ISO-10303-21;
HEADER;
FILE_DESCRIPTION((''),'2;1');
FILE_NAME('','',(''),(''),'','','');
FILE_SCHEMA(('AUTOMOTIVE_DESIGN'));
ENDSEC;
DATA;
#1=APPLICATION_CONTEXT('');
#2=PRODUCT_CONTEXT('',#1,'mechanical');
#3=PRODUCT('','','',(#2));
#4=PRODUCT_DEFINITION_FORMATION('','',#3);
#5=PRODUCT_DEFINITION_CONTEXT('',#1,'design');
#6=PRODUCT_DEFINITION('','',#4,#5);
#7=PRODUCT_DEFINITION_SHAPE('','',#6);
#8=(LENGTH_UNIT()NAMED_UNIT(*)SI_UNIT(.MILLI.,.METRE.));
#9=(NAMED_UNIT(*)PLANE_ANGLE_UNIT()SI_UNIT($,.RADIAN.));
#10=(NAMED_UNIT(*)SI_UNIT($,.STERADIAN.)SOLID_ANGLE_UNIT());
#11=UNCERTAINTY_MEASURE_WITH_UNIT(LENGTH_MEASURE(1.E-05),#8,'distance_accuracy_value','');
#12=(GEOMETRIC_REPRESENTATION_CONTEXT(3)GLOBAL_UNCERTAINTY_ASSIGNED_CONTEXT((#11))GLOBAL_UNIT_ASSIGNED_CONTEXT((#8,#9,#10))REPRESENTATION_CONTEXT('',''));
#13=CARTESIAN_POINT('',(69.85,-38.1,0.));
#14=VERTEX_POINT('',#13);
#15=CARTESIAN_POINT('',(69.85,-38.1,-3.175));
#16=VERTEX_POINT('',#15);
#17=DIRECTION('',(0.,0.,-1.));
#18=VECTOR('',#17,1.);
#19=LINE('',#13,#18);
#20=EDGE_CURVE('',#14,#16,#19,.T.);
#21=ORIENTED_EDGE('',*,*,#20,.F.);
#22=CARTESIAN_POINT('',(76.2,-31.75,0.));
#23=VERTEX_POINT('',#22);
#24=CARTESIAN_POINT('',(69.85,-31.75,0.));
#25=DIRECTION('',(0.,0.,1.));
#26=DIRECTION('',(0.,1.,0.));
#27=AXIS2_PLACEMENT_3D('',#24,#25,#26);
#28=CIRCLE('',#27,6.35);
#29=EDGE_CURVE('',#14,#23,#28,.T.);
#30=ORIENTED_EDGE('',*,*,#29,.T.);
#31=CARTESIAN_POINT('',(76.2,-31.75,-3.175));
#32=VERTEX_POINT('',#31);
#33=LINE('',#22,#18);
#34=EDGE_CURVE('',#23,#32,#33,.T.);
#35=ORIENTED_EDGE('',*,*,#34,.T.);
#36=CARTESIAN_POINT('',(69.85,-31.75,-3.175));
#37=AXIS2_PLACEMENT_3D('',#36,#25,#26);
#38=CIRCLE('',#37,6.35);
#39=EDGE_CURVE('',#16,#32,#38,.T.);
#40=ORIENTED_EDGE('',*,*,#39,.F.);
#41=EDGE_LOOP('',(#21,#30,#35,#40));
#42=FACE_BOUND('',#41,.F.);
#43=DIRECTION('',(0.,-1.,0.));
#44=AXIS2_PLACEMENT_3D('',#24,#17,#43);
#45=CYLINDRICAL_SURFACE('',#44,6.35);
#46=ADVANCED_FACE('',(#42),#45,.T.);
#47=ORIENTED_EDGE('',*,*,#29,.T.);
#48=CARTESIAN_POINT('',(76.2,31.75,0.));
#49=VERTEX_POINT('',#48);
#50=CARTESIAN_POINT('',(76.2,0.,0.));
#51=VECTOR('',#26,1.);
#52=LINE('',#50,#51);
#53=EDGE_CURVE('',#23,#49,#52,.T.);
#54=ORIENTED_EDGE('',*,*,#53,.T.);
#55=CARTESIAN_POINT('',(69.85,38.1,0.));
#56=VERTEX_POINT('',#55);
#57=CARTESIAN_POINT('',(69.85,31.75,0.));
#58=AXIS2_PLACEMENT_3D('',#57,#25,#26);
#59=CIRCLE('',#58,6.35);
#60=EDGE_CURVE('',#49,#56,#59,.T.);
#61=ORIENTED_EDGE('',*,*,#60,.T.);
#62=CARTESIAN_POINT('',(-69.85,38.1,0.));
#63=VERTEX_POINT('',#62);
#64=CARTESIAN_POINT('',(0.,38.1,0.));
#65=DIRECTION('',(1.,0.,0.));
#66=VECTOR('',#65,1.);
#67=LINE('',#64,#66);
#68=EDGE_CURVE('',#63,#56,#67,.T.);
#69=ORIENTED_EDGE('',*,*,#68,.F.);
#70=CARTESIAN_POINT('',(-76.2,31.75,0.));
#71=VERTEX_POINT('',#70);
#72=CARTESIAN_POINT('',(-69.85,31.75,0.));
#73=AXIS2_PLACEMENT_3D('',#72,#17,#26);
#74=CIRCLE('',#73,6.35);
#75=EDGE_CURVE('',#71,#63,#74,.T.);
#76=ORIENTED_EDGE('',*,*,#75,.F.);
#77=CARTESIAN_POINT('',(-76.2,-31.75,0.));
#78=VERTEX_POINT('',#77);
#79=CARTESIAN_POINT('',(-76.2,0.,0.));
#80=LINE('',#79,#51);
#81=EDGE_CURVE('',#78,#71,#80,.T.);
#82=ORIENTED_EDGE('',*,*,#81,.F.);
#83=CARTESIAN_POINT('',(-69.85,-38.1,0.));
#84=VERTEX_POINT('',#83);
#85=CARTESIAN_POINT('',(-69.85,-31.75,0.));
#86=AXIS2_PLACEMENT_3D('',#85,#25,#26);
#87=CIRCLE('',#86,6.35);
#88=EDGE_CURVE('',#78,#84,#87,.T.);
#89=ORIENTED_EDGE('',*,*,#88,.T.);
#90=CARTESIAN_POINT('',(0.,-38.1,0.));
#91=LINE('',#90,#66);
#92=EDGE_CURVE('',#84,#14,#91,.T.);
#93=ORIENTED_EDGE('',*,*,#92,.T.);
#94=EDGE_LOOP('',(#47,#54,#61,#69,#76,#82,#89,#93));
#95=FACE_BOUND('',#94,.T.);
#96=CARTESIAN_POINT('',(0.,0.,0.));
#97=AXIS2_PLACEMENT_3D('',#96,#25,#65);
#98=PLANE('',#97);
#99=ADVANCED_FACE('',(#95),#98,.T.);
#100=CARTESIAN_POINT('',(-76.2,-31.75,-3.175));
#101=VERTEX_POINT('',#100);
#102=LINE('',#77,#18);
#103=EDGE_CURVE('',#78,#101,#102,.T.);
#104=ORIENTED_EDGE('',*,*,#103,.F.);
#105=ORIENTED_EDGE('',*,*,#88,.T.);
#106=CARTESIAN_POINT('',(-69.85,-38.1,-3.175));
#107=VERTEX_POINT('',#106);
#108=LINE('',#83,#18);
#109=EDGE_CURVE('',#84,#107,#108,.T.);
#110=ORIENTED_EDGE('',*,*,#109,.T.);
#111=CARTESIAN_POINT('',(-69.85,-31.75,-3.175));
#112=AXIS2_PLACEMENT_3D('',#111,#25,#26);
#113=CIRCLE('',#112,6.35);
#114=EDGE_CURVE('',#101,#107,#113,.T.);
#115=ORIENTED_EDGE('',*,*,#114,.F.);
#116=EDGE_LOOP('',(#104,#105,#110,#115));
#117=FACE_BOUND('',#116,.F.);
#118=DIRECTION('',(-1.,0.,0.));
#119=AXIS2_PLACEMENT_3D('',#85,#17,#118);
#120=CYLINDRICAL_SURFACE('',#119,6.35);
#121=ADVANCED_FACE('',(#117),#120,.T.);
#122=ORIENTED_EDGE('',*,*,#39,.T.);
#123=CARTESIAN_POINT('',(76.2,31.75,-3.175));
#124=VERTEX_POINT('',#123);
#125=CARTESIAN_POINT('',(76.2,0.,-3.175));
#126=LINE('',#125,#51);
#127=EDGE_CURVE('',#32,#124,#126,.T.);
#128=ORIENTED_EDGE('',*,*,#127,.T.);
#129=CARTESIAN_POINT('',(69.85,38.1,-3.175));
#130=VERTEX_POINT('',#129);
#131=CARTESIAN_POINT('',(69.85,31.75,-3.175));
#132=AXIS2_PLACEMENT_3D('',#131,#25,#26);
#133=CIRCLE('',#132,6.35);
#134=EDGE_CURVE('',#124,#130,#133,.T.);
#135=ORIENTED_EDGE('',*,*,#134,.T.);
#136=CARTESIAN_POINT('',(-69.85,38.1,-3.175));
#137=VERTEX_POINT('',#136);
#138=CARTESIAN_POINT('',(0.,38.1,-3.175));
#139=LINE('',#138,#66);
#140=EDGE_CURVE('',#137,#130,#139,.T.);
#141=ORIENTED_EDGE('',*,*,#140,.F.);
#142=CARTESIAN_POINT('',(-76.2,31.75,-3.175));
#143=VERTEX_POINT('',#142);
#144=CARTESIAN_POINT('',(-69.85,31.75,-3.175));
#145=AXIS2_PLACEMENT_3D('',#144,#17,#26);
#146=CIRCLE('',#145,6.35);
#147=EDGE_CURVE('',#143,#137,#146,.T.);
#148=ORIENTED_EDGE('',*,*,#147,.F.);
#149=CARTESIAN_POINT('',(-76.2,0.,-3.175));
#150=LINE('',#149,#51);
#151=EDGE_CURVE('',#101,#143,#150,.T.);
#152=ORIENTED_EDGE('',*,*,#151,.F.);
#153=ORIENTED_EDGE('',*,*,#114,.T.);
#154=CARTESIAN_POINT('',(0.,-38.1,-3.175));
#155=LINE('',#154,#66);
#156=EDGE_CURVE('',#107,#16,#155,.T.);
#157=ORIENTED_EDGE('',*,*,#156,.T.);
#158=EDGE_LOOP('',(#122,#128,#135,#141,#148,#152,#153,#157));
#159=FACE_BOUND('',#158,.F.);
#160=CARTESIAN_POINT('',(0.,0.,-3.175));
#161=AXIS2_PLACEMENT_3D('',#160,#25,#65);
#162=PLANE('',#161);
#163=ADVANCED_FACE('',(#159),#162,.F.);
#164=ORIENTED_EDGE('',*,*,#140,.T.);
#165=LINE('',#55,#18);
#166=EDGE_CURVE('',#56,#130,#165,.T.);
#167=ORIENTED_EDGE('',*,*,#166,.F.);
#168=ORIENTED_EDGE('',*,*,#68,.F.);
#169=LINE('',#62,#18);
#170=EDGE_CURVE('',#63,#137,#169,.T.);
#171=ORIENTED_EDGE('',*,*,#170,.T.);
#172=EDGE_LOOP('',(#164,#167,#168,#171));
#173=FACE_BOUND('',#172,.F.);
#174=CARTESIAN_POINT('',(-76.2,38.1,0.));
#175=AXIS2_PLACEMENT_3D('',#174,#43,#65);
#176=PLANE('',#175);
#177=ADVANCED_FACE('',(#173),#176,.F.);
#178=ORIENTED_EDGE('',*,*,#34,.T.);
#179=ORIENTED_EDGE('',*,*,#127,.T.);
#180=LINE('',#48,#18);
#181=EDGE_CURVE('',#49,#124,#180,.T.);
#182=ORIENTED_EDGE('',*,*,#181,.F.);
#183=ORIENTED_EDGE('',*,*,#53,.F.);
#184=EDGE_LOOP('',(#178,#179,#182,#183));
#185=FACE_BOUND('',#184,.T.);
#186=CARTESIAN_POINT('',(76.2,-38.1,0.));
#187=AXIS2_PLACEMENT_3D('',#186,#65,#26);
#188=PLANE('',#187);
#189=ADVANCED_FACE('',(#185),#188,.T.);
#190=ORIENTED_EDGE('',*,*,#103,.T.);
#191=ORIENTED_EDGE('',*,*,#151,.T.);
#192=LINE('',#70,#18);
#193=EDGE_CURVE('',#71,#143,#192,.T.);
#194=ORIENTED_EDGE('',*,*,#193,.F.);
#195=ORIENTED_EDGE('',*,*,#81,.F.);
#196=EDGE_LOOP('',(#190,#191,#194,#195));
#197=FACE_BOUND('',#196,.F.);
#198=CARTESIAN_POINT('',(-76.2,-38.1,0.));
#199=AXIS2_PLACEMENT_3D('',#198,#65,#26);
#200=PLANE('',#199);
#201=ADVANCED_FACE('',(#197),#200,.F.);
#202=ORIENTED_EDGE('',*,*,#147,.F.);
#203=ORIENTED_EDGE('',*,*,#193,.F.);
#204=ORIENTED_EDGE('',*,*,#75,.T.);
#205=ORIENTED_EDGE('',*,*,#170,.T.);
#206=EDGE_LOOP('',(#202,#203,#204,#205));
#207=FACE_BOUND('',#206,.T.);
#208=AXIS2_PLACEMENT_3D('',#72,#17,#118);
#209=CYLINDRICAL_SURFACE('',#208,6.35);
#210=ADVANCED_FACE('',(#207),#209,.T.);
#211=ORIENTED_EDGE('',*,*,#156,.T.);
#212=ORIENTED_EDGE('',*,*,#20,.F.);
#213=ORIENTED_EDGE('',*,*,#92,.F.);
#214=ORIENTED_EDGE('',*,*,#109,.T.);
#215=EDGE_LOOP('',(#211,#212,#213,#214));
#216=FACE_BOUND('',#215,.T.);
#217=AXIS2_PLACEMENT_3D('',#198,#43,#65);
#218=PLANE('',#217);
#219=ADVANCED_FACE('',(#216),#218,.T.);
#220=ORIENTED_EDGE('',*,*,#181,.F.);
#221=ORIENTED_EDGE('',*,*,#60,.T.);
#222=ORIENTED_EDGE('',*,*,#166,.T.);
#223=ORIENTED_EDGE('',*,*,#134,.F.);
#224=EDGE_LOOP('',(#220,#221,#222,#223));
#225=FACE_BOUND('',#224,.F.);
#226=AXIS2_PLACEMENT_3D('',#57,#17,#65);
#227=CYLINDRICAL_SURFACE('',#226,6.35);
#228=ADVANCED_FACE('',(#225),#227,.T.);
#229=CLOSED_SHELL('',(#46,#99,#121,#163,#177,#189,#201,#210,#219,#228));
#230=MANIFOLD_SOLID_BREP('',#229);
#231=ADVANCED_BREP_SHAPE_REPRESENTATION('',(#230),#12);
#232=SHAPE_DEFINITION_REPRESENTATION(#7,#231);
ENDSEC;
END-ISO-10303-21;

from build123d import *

# Parameters (mm, degrees)
F0_W     = 152.4
F0_H     = 76.2
F1_DEPTH = 3.175
F2_R     = 6.35


with BuildPart() as f1:
    # F0 (on Top) → F1 (new body)
    with BuildSketch(Plane.XY):
        Rectangle(F0_W, F0_H)
    extrude(amount=-F1_DEPTH)

    # F2
    f2_edges = [f1.edges().sort_by_distance(p)[0] for p in [
        (-76.2, -38.1, -1.5875),
        (76.2, -38.1, -1.5875),
        (76.2, 38.1, -1.5875),
        (-76.2, 38.1, -1.5875),
    ]]
    fillet(f2_edges, radius=F2_R)


solid = f1.part
